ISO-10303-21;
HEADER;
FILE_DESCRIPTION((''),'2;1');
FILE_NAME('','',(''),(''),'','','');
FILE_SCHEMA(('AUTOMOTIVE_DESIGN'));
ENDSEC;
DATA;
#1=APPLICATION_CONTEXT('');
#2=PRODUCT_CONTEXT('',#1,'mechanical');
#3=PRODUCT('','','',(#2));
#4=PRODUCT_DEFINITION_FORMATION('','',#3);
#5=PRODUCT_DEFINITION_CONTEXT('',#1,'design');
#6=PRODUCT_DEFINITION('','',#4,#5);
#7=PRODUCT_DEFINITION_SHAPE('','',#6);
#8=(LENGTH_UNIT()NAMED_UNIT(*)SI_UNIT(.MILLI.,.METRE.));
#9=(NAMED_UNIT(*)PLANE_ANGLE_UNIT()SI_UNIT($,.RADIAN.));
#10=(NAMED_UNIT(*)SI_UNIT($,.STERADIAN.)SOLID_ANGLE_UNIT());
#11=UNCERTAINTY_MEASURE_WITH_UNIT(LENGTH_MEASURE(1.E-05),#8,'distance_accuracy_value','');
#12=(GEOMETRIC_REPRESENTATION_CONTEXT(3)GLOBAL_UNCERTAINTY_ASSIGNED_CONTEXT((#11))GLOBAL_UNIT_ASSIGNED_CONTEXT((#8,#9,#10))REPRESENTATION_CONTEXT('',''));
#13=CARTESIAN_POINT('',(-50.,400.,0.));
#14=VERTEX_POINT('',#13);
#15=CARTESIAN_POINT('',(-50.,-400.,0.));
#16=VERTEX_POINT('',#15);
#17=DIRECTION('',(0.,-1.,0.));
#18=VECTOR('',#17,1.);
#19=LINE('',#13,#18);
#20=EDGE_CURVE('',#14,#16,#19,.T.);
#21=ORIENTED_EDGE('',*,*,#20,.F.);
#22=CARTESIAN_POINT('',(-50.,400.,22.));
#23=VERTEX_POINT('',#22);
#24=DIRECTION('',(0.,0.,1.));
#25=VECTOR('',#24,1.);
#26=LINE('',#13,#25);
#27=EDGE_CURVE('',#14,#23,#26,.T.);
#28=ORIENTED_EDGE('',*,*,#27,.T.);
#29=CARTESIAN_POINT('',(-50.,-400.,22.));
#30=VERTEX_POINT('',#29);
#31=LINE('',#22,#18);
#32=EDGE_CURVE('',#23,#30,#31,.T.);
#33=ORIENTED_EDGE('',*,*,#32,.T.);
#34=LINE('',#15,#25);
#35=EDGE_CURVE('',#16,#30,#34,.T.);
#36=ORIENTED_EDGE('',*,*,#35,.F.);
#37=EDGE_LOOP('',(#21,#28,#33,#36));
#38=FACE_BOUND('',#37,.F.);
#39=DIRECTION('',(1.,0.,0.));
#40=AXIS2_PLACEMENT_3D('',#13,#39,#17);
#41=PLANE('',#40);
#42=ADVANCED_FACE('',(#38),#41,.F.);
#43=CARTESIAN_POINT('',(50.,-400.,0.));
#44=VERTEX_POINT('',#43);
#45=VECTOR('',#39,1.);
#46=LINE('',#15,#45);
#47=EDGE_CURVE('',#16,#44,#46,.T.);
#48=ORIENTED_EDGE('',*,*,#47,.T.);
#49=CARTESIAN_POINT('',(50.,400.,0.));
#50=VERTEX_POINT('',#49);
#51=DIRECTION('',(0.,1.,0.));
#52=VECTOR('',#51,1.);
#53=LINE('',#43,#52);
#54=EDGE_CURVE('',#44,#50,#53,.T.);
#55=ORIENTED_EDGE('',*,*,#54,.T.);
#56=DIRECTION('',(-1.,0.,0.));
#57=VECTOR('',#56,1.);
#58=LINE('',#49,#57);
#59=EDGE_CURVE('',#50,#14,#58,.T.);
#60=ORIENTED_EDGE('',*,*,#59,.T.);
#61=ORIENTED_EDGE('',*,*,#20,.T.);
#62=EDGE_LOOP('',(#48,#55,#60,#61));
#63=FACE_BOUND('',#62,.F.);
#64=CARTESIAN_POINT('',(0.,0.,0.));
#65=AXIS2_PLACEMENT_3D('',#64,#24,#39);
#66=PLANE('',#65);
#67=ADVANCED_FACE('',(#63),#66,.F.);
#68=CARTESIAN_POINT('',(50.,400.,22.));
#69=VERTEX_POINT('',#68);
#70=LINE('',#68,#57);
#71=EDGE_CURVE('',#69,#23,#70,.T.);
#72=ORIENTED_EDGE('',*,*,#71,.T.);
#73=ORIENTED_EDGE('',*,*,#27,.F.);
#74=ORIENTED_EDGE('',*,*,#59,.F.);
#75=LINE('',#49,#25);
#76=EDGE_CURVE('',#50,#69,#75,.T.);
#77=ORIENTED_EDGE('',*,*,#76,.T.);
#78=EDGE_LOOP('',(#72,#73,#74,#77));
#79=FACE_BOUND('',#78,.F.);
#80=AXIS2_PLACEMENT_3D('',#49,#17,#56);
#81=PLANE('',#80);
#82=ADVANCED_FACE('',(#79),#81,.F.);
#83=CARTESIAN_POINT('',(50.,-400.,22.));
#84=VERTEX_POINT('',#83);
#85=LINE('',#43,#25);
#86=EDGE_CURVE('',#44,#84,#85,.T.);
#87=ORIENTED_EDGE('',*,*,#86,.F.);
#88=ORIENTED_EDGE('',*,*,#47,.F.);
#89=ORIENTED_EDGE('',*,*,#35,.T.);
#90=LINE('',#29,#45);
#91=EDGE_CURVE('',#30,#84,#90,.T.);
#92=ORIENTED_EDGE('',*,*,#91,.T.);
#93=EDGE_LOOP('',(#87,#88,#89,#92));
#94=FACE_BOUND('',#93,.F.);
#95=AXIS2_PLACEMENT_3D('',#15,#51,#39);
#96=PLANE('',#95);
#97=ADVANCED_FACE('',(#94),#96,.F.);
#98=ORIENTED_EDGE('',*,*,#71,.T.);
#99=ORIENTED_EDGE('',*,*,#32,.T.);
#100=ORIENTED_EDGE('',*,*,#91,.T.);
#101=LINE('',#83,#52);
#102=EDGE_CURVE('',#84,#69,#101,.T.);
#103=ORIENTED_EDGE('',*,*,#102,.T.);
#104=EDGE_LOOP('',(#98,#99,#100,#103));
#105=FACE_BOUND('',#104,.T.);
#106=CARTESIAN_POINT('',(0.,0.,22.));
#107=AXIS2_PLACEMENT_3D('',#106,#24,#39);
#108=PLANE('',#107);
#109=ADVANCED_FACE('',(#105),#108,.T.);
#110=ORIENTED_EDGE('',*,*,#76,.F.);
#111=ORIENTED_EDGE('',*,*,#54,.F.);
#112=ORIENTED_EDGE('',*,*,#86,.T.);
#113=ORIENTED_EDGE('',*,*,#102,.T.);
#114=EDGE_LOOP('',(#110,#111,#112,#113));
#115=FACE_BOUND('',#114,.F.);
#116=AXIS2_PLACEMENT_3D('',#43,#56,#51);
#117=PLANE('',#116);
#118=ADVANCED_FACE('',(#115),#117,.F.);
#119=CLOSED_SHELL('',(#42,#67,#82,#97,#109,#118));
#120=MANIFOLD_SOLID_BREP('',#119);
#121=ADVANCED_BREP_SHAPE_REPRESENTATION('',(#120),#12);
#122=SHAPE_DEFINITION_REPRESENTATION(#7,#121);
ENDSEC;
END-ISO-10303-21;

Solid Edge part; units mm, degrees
sketch "Sketch1" plane through (0, 0, 0) normal (0, 0, 1) x (1, 0, 0)
  line L0 (-50, -400) -> (50, -400)
  line L1 (50, -400) -> (50, 400)
  line L2 (50, 400) -> (-50, 400)
  line L3 (-50, 400) -> (-50, -400)
  dimension "D1" = 800
  dimension "D2" = 100
extrude "Protrusion1" add sketch "Sketch1" along normal blind 22
